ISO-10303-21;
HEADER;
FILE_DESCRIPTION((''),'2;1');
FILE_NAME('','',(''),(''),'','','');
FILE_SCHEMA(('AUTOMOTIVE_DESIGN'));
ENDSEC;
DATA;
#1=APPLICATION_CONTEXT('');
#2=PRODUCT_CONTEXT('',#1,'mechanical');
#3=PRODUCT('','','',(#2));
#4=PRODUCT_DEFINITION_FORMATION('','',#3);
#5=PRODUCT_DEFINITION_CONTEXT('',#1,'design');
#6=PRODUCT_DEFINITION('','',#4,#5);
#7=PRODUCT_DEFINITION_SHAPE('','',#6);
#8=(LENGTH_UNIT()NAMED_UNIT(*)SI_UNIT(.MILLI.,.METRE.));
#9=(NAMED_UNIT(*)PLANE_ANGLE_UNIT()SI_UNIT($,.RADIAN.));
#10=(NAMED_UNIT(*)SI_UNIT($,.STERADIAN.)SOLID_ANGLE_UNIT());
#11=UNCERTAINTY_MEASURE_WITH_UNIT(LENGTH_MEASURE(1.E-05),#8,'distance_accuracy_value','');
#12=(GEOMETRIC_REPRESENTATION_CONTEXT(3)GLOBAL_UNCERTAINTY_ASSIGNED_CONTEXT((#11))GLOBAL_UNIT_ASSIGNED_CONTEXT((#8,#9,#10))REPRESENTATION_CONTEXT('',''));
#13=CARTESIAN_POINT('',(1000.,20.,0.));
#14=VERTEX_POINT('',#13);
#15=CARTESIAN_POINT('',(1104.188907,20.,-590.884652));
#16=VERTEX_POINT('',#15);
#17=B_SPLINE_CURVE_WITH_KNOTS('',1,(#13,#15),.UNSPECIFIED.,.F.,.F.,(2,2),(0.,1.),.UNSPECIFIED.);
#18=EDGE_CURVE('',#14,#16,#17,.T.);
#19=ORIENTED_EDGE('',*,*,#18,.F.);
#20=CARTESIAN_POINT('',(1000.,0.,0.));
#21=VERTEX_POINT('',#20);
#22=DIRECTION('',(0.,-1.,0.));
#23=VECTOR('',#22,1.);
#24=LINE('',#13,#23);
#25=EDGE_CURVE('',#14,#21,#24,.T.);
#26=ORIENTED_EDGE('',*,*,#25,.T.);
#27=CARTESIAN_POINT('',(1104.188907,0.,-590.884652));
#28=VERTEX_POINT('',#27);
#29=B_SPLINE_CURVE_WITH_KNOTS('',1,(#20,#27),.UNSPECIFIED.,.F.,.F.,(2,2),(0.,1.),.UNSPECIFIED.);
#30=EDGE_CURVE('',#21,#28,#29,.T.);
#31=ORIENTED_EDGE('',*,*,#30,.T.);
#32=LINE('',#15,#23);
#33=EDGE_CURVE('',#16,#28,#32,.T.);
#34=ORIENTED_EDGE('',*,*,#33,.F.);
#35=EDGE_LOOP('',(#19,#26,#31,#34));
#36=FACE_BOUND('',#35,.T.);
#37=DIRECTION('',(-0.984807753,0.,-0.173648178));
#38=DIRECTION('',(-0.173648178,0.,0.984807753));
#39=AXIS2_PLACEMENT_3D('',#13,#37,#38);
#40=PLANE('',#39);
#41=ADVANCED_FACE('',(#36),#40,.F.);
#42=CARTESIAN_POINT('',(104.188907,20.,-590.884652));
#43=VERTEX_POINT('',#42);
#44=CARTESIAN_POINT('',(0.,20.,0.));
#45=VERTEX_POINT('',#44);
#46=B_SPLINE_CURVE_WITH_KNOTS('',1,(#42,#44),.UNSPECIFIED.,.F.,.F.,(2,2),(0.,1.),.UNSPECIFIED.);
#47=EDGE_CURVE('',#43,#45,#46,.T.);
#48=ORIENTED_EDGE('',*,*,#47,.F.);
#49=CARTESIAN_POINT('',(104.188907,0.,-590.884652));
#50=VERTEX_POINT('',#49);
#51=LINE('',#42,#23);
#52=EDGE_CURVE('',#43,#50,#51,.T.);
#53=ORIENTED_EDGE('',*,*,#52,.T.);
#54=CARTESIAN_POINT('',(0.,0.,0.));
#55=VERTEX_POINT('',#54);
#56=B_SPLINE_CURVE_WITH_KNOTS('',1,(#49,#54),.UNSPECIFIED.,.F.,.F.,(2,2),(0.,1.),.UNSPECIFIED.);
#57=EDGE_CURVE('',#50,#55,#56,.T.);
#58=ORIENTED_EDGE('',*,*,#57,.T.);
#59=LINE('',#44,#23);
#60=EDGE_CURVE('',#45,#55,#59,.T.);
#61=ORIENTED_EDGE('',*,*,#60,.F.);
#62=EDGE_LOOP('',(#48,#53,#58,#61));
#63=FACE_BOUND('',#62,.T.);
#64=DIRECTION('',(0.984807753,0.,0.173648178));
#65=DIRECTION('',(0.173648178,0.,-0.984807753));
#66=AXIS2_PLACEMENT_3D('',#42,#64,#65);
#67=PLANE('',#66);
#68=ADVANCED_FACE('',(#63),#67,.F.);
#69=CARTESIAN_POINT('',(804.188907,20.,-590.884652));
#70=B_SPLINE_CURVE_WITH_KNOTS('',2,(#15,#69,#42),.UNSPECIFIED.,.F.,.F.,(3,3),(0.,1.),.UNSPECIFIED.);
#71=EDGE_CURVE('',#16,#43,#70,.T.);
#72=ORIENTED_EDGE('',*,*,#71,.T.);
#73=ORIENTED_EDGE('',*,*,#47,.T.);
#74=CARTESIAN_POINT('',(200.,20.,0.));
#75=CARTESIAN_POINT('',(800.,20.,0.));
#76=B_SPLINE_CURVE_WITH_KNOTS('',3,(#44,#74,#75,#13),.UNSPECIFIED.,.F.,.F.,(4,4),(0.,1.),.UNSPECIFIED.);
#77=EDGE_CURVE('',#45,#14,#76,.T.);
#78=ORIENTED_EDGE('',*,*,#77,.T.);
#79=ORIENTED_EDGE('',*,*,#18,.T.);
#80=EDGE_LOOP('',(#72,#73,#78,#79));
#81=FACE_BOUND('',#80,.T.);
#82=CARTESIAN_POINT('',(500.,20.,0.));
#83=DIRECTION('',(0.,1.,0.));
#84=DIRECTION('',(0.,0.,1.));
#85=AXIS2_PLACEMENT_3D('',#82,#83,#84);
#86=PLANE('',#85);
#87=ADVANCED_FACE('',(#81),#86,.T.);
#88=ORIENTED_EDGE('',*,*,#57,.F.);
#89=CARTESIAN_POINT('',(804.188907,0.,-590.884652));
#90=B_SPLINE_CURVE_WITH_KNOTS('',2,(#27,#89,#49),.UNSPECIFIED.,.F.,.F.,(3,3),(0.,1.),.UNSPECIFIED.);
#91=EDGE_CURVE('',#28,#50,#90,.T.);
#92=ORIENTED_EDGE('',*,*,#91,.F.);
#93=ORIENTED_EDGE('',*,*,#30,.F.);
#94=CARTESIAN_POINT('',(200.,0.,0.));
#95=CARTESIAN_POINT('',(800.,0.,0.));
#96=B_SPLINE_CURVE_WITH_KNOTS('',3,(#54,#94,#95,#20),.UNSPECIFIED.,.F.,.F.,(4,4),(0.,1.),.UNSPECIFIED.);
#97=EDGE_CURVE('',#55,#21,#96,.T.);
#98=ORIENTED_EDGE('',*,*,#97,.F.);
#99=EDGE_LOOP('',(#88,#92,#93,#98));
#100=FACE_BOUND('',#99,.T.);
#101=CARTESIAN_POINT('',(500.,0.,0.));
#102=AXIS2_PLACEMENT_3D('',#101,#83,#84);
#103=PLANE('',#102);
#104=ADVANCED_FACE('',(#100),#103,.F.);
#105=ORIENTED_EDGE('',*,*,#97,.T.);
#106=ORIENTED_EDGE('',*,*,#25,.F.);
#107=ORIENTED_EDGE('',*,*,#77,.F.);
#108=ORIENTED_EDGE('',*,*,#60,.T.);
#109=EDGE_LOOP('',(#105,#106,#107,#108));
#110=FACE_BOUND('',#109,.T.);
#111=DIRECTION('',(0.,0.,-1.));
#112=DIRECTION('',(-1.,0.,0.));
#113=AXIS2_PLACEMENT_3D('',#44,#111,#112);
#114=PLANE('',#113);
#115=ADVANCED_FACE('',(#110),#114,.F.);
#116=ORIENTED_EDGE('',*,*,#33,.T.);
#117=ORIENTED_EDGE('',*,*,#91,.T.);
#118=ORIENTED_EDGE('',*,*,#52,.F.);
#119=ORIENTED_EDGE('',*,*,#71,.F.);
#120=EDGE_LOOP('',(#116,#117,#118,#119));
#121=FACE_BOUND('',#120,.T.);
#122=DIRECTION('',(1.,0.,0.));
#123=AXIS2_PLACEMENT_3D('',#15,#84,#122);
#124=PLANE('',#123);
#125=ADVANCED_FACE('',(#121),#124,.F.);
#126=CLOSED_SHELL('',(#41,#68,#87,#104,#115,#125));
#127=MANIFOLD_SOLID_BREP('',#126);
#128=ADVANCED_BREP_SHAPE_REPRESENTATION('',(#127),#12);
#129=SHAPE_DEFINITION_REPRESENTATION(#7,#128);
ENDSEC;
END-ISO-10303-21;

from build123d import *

# Parameters (mm, degrees)
PLATTE_DEPTH = 20


with BuildPart() as part:
    # Kontur Platte → Platte (new body)
    with BuildSketch(Plane(origin=(0, 0, 0), x_dir=(1, 0, 0), z_dir=(0, 1, 0))):
        with BuildLine():
            add(Edge.make_bspline(
                [(0, 0), (104.1889066, 590.884651807)],
                knots=[0, 0, 1, 1], degree=1))
            add(Edge.make_bspline(
                [(104.1889066, 590.884651807), (804.1889066, 590.884651807), (1104.1889066, 590.884651807)],
                knots=[0, 0, 0, 1, 1, 1], degree=2))
            add(Edge.make_bspline(
                [(1104.1889066, 590.884651807), (1000, 0)],
                knots=[0, 0, 1, 1], degree=1))
            add(Edge.make_bspline(
                [(1000, 0), (800, 0), (200, 0), (0, 0)],
                knots=[0, 0, 0, 0, 1, 1, 1, 1], degree=3))
        make_face()
    extrude(amount=PLATTE_DEPTH)


solid = part.part
